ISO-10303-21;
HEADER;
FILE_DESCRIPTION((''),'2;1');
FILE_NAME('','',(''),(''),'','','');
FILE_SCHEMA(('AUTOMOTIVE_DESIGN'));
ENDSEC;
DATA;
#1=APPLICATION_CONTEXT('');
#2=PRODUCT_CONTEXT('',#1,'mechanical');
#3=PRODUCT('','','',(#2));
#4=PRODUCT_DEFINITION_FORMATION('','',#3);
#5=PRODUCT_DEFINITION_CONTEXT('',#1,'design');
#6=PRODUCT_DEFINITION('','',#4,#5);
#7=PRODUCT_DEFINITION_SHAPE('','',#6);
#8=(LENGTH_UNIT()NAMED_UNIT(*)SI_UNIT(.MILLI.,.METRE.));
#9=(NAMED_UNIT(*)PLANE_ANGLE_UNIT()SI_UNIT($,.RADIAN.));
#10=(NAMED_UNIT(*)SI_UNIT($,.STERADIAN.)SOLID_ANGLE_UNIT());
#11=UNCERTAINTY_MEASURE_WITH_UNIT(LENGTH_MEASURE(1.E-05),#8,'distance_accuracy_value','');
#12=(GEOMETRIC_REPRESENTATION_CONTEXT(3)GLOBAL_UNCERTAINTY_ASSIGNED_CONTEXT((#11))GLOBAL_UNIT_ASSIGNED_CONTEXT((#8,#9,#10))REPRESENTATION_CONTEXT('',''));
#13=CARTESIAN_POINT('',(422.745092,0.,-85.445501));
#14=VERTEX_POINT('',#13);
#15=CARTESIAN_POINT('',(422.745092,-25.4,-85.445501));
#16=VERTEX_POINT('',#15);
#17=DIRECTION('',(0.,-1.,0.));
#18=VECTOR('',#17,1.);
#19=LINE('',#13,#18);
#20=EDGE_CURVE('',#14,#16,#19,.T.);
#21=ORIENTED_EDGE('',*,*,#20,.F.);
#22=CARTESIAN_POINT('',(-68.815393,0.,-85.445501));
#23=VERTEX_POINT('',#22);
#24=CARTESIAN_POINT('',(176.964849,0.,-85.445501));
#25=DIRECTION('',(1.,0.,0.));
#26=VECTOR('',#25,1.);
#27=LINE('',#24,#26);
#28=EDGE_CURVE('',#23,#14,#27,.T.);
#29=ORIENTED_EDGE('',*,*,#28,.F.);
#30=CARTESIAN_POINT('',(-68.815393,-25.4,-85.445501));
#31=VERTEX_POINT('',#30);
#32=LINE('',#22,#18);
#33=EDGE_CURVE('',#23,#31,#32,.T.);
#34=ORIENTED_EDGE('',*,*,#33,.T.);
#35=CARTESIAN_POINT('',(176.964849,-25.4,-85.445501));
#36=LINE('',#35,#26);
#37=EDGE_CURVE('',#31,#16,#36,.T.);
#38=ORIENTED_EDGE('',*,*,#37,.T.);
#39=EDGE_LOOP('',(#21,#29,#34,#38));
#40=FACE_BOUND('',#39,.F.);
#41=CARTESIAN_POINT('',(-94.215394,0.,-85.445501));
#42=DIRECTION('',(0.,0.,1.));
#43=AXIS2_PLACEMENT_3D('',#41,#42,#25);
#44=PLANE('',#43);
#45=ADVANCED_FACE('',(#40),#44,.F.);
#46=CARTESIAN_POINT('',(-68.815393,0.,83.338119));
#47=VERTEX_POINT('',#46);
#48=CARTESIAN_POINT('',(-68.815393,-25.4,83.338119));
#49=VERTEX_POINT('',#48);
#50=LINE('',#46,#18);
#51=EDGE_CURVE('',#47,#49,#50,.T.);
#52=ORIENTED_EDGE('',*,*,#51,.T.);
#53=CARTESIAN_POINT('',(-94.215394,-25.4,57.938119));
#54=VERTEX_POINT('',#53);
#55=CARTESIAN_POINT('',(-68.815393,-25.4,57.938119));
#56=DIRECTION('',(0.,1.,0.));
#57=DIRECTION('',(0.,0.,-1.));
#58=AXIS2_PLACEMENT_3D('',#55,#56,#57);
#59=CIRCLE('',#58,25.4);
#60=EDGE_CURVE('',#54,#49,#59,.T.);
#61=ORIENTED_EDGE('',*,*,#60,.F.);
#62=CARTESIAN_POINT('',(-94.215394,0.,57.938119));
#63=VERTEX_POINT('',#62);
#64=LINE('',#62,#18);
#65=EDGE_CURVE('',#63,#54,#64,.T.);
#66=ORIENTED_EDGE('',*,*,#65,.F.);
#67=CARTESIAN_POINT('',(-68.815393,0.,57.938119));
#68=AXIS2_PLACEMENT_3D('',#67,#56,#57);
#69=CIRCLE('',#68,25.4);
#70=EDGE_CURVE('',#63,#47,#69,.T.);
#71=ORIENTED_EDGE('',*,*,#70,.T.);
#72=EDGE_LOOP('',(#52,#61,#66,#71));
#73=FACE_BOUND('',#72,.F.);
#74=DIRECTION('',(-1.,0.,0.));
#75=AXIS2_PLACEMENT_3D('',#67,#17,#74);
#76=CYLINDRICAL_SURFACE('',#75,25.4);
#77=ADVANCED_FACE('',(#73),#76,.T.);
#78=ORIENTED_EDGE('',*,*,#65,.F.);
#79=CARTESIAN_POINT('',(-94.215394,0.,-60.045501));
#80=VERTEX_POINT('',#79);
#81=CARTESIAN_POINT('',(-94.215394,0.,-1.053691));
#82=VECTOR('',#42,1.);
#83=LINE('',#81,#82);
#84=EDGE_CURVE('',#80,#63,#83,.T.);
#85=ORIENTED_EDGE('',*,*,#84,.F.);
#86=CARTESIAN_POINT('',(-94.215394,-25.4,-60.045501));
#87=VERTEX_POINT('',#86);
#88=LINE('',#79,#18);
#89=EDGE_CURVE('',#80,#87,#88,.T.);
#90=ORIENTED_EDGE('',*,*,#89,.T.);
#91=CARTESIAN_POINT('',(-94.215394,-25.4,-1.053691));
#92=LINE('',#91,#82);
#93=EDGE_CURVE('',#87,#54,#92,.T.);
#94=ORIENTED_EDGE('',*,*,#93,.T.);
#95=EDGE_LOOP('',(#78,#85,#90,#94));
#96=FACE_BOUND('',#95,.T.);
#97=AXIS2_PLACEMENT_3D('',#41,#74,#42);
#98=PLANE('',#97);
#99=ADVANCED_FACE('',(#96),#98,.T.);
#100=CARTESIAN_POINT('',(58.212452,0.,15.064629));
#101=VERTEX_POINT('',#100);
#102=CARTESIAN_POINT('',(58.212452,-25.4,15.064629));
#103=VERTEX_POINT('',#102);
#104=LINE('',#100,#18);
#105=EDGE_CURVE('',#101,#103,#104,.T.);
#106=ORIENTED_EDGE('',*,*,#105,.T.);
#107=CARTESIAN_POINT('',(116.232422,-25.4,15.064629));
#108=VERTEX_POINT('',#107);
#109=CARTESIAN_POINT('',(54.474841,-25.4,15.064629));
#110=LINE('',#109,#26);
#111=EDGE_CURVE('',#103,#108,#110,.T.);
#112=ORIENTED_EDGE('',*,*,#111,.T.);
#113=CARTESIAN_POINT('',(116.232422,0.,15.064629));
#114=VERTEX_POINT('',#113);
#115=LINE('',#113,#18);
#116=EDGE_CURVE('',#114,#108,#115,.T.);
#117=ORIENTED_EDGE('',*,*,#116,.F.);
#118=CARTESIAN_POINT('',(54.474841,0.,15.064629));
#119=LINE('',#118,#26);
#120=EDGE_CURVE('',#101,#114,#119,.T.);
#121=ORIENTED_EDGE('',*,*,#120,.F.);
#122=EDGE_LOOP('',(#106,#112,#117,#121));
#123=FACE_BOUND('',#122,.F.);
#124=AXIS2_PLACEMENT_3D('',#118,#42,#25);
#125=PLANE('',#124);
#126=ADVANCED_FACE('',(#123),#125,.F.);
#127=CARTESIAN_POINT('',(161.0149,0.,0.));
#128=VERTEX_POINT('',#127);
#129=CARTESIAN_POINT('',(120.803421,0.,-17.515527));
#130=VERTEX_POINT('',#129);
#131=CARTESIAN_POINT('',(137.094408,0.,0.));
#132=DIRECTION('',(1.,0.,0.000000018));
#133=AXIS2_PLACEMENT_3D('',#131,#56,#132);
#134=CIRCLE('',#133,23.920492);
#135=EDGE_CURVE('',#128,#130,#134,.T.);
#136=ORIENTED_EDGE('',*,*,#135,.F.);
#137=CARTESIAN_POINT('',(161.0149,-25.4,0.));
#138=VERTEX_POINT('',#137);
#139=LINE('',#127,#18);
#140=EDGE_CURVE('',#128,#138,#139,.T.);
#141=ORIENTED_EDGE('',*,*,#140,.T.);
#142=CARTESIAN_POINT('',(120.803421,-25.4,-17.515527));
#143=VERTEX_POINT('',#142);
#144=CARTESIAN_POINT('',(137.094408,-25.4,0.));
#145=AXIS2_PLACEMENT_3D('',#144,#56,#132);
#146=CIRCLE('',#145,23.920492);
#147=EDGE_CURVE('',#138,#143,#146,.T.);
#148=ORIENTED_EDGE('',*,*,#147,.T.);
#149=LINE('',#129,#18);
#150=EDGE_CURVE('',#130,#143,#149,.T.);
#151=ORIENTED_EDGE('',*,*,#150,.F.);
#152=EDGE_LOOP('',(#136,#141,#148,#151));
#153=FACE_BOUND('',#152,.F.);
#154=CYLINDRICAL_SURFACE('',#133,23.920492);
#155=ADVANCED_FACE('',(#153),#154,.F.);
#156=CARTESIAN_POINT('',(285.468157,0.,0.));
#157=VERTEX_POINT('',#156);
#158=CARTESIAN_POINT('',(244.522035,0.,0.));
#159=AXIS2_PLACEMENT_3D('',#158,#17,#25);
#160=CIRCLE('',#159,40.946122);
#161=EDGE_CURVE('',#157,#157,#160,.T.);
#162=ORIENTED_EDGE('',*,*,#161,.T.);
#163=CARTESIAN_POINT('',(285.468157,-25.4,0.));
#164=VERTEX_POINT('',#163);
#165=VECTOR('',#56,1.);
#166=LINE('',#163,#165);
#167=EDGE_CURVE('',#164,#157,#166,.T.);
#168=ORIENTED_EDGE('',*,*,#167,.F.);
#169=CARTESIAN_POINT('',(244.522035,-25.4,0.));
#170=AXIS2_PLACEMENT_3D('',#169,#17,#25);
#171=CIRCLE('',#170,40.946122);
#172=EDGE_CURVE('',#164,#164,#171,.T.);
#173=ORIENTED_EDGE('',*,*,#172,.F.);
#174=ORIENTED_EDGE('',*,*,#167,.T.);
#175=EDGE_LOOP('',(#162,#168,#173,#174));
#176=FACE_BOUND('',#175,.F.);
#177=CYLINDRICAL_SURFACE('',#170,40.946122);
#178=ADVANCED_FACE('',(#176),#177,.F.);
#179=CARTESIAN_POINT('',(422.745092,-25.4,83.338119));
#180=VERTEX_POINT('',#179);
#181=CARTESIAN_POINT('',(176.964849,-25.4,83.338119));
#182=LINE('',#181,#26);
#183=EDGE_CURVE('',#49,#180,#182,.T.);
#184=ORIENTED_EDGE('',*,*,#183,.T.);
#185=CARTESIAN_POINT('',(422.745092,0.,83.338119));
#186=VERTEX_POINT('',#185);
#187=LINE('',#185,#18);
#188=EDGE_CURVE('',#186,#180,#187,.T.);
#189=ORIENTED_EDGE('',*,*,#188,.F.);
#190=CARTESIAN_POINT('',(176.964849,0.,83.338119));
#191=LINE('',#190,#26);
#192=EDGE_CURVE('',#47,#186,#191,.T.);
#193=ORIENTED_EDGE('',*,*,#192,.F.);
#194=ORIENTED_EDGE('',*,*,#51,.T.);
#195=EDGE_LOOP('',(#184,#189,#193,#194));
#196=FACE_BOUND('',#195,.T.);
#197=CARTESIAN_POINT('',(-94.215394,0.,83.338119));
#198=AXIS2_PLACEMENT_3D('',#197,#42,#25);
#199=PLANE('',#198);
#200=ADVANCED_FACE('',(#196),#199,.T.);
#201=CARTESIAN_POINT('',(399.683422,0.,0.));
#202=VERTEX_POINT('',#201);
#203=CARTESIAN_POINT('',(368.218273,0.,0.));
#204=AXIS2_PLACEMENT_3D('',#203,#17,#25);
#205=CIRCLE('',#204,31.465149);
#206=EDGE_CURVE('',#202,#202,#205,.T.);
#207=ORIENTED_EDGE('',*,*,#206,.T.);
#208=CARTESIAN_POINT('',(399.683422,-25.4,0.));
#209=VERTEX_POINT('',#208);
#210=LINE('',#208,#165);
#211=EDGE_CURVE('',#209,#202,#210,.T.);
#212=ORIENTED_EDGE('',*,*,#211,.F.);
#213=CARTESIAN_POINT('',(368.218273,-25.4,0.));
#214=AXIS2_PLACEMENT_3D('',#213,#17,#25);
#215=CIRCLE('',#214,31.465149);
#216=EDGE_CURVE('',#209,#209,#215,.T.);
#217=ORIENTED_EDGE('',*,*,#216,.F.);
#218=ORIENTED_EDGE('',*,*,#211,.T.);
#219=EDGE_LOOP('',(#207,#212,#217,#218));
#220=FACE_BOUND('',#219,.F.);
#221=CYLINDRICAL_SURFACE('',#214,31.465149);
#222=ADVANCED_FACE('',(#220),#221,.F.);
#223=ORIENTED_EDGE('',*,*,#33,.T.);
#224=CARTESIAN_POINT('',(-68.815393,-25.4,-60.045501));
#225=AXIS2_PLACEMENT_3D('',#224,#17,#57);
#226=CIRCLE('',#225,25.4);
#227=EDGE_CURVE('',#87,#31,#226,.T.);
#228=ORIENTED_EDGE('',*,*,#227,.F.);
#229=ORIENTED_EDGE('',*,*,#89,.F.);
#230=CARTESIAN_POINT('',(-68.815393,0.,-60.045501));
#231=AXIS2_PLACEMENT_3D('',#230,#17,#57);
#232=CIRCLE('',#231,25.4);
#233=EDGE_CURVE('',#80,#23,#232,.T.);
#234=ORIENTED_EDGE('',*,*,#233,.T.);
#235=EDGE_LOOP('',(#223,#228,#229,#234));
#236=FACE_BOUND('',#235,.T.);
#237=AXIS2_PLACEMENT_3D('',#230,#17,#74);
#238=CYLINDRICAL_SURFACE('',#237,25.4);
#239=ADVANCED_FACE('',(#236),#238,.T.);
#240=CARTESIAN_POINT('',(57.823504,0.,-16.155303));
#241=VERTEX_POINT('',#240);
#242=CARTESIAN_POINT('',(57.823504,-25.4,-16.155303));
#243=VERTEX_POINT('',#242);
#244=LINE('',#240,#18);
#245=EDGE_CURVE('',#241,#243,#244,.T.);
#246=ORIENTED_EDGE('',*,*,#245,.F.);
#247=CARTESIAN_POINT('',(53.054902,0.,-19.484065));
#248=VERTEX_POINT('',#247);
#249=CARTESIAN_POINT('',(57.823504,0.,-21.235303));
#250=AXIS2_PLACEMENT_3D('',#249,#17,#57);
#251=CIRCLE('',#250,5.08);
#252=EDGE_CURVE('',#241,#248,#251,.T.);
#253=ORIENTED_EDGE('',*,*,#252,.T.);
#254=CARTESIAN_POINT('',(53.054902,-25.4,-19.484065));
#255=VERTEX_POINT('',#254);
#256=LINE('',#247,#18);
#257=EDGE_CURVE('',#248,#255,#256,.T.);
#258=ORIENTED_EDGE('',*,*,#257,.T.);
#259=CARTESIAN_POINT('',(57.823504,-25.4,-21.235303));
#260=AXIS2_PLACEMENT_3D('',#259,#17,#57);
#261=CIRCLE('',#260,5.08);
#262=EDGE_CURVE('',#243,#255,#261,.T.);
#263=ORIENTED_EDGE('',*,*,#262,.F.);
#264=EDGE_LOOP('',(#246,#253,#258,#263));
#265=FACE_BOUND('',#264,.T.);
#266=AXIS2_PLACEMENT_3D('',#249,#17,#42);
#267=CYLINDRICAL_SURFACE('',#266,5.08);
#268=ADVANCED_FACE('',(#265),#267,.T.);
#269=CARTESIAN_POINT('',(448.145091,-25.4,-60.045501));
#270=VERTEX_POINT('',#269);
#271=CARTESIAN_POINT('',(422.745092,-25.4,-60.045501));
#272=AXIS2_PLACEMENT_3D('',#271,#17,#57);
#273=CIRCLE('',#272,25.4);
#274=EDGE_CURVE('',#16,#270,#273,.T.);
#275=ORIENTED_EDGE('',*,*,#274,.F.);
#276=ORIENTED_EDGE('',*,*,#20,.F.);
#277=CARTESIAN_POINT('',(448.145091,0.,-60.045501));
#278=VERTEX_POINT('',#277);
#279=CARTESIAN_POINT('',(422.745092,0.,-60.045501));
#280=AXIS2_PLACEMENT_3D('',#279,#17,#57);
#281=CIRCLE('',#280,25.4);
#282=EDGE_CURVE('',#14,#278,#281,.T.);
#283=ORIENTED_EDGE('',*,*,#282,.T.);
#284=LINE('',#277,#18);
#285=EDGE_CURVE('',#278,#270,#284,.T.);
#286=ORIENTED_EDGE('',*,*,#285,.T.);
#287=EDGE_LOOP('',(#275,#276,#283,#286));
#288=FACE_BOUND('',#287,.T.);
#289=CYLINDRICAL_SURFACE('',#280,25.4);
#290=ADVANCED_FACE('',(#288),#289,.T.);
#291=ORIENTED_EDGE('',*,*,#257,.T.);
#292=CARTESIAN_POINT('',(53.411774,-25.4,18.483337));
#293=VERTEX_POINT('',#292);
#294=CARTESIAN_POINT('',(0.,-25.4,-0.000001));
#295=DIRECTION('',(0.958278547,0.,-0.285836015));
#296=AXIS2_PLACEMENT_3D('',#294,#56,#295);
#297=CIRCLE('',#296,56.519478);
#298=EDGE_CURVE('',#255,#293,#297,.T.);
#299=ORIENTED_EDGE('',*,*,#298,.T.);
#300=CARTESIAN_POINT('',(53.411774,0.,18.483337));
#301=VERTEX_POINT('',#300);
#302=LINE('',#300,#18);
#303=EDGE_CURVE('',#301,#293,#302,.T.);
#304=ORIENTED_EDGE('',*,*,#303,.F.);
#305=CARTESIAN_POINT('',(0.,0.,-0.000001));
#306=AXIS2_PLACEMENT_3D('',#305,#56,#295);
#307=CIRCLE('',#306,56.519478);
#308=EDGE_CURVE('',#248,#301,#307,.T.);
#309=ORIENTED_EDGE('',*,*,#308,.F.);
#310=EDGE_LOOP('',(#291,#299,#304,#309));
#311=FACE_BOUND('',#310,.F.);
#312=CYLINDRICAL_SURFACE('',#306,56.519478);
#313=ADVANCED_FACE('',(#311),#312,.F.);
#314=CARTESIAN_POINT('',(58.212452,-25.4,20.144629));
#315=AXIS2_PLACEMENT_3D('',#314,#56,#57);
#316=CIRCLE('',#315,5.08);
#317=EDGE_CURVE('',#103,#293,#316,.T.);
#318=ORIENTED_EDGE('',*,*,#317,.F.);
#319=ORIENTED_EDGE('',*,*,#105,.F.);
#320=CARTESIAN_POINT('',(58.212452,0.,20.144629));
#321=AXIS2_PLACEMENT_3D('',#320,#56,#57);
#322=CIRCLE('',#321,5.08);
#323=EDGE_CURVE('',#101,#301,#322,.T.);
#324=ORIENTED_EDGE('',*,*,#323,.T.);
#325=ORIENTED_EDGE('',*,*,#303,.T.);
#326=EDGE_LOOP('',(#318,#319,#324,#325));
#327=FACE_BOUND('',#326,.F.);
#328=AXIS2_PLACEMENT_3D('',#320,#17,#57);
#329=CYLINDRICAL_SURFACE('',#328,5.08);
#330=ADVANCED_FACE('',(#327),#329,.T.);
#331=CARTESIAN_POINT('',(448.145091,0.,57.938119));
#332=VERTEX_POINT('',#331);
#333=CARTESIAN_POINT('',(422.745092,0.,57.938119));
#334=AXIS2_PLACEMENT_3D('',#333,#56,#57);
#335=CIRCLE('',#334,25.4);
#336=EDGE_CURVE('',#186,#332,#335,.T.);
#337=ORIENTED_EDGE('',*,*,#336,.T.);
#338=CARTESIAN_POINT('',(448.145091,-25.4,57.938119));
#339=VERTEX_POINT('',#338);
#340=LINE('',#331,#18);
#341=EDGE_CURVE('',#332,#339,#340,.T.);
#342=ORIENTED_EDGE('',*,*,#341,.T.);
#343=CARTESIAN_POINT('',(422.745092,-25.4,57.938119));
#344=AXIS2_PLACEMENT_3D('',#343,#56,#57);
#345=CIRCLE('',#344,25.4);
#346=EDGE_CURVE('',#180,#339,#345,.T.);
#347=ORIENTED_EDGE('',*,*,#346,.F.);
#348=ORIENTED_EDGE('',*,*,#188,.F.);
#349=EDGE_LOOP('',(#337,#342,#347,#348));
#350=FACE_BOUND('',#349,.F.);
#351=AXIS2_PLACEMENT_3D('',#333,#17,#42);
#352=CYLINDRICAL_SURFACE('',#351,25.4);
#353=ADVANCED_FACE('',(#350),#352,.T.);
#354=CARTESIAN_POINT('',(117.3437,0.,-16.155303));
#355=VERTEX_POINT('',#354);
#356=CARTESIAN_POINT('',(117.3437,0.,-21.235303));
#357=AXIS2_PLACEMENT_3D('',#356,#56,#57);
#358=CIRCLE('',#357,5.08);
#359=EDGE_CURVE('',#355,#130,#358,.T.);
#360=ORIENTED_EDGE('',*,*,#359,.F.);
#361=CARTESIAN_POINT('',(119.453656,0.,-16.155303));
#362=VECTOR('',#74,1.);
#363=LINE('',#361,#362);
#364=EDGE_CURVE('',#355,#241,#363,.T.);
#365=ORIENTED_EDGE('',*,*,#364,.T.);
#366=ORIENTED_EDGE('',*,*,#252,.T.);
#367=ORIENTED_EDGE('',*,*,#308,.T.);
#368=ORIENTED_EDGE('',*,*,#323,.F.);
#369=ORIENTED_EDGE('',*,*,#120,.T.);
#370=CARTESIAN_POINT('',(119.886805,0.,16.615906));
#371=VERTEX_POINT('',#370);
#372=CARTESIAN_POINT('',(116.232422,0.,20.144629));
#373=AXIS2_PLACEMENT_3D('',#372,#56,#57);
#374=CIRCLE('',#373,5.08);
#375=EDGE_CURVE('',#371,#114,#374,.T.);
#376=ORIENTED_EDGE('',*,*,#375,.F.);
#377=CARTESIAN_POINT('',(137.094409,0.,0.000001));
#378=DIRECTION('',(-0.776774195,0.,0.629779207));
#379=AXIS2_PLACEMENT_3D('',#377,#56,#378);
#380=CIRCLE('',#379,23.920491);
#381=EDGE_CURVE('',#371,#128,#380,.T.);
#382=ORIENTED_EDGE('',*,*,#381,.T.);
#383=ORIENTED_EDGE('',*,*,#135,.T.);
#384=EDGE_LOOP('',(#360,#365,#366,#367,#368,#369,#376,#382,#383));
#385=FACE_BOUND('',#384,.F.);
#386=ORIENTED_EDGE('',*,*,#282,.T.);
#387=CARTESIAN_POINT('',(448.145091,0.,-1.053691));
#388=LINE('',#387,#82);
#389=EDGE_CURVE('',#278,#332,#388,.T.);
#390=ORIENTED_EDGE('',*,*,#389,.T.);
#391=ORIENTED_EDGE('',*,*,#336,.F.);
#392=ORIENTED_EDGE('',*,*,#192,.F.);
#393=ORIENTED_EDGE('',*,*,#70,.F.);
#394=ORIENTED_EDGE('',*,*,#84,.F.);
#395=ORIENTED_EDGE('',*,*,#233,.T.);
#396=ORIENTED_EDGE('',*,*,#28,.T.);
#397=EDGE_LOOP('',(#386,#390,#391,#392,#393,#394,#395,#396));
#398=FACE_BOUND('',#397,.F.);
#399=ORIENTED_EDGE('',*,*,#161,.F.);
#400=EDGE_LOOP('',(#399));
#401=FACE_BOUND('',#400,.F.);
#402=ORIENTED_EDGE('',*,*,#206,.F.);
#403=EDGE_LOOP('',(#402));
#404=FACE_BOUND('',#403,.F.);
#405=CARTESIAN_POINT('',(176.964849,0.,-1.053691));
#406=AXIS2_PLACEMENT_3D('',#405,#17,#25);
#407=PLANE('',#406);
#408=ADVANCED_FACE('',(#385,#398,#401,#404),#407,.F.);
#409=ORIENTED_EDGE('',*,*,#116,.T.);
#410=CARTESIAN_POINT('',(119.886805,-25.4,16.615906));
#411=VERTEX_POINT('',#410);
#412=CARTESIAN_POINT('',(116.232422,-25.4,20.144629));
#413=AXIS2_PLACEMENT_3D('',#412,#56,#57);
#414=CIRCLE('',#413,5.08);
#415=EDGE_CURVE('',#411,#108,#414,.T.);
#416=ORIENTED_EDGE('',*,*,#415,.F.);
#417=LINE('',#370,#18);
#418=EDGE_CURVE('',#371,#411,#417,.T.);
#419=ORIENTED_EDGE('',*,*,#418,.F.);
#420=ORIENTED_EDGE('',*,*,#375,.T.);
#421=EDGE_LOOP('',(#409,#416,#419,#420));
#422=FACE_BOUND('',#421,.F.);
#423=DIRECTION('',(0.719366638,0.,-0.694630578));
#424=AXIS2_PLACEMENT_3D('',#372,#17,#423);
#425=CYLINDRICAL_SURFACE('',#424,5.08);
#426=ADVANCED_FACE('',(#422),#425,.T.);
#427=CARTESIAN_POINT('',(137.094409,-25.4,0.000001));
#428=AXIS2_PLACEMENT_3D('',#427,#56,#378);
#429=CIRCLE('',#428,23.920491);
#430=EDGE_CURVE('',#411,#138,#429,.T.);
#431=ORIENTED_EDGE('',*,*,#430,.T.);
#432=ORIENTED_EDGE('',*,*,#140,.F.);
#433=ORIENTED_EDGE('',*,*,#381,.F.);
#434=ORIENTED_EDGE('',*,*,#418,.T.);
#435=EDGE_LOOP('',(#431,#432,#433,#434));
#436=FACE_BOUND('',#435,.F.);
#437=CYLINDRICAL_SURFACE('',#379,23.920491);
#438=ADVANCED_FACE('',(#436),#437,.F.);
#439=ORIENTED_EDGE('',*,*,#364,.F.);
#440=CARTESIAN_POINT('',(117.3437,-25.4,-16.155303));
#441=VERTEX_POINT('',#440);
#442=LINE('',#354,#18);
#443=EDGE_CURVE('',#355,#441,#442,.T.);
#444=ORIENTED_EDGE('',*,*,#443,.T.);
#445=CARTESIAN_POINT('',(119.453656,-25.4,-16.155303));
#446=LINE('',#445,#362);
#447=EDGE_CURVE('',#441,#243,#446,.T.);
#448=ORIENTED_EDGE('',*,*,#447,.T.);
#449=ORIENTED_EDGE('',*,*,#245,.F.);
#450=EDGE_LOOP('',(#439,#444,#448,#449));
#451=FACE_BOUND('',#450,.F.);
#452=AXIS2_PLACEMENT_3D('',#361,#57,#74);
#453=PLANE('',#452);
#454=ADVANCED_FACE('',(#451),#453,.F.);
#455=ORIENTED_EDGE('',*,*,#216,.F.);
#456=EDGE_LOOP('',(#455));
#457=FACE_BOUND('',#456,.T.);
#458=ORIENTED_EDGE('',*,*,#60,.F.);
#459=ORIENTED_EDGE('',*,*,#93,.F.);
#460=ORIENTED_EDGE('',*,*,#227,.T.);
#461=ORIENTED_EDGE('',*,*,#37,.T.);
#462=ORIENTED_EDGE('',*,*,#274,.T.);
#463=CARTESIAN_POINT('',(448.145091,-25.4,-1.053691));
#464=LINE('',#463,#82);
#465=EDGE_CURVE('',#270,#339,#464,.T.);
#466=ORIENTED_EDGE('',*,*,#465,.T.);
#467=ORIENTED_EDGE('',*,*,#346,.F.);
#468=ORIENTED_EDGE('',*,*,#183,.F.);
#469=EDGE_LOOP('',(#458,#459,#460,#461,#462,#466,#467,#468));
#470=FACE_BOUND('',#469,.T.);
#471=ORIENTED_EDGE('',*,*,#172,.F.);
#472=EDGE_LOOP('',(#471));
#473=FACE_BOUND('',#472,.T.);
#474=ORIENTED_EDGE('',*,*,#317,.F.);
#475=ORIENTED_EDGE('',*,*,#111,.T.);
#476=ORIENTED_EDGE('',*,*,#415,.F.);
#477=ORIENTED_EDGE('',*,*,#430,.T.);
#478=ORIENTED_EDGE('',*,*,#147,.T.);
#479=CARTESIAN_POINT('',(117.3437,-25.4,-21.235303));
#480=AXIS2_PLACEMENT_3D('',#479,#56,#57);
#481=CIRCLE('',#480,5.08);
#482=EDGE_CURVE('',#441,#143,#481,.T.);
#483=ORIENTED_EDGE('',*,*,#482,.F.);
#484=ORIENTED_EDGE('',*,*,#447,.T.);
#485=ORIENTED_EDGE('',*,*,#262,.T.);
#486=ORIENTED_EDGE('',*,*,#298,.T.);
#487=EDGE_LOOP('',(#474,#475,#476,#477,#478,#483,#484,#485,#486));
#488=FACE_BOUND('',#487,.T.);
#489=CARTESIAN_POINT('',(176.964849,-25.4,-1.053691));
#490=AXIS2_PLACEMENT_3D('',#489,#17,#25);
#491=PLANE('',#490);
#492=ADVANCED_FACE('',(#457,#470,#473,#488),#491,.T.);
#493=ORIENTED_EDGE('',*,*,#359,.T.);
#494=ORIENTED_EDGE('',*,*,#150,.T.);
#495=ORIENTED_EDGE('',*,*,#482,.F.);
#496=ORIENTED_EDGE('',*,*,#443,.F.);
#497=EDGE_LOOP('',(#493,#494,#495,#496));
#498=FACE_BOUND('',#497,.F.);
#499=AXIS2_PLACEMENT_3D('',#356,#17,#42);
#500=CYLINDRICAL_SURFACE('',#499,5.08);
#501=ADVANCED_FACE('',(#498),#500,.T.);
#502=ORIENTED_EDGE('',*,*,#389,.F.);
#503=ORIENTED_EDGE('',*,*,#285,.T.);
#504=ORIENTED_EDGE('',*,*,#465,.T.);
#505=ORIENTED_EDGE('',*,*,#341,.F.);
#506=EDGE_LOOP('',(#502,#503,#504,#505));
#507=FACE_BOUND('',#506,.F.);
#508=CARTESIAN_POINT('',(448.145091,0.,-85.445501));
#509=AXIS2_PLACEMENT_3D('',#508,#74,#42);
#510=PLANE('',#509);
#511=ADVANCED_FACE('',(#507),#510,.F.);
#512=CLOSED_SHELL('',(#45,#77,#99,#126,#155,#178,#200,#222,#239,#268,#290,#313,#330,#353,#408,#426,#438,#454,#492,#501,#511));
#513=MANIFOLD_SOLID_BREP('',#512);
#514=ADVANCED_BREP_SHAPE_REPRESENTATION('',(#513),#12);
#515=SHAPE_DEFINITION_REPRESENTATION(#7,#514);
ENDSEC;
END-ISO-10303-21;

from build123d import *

# Parameters (mm, degrees)
F0_W     = 542.360485
F0_H     = 168.78362
F1_DEPTH = 25.4
F2_R     = 25.4
F3_R     = 5.08
F4_R     = 40.946122
F4_R_2   = 31.465149
F5_DEPTH = 25.4


with BuildPart() as f1:
    # F0 (on Front) → F1 (new body)
    with BuildSketch(Plane.XZ):
        with Locations((176.964849, -1.053691)):
            Rectangle(F0_W, F0_H)
        with BuildLine():
            ThreePointArc((54.161403, -16.155303), (-56.51663, 0.567409), (54.474841, 15.064629))
            Line((54.474841, 15.064629), (118.513588, 15.064629))
            ThreePointArc((118.513588, 15.064629), (145.08589, 22.54609), (161.0149, 0))
            ThreePointArc((161.0149, 0), (145.760851, -22.295352), (119.453656, -16.155303))
            Line((119.453656, -16.155303), (54.161403, -16.155303))
        make_face(mode=Mode.SUBTRACT)
    extrude(amount=F1_DEPTH)

    # F2
    f2_edges = [f1.edges().sort_by_distance(p)[0] for p in [
        (448.145092, -12.7, 83.338119),
        (448.145092, -12.7, -85.445501),
        (-94.215393, -12.7, 83.338119),
        (-94.215393, -12.7, -85.445501),
    ]]
    fillet(f2_edges, radius=F2_R)

    # F3
    f3_edges = [f1.edges().sort_by_distance(p)[0] for p in [
        (54.474841, -12.7, 15.064629),
        (119.453656, -12.7, -16.155303),
        (54.161403, -12.7, -16.155303),
        (118.513588, -12.7, 15.064629),
    ]]
    fillet(f3_edges, radius=F3_R)

    # F4 (on face) → F5 (cut)
    with BuildSketch(Plane.XZ.offset(25.4)):
        with Locations((244.522035, 0)):
            Circle(F4_R)
        with Locations((368.218273, 0)):
            Circle(F4_R_2)
    extrude(amount=-F5_DEPTH, mode=Mode.SUBTRACT)


solid = f1.part
